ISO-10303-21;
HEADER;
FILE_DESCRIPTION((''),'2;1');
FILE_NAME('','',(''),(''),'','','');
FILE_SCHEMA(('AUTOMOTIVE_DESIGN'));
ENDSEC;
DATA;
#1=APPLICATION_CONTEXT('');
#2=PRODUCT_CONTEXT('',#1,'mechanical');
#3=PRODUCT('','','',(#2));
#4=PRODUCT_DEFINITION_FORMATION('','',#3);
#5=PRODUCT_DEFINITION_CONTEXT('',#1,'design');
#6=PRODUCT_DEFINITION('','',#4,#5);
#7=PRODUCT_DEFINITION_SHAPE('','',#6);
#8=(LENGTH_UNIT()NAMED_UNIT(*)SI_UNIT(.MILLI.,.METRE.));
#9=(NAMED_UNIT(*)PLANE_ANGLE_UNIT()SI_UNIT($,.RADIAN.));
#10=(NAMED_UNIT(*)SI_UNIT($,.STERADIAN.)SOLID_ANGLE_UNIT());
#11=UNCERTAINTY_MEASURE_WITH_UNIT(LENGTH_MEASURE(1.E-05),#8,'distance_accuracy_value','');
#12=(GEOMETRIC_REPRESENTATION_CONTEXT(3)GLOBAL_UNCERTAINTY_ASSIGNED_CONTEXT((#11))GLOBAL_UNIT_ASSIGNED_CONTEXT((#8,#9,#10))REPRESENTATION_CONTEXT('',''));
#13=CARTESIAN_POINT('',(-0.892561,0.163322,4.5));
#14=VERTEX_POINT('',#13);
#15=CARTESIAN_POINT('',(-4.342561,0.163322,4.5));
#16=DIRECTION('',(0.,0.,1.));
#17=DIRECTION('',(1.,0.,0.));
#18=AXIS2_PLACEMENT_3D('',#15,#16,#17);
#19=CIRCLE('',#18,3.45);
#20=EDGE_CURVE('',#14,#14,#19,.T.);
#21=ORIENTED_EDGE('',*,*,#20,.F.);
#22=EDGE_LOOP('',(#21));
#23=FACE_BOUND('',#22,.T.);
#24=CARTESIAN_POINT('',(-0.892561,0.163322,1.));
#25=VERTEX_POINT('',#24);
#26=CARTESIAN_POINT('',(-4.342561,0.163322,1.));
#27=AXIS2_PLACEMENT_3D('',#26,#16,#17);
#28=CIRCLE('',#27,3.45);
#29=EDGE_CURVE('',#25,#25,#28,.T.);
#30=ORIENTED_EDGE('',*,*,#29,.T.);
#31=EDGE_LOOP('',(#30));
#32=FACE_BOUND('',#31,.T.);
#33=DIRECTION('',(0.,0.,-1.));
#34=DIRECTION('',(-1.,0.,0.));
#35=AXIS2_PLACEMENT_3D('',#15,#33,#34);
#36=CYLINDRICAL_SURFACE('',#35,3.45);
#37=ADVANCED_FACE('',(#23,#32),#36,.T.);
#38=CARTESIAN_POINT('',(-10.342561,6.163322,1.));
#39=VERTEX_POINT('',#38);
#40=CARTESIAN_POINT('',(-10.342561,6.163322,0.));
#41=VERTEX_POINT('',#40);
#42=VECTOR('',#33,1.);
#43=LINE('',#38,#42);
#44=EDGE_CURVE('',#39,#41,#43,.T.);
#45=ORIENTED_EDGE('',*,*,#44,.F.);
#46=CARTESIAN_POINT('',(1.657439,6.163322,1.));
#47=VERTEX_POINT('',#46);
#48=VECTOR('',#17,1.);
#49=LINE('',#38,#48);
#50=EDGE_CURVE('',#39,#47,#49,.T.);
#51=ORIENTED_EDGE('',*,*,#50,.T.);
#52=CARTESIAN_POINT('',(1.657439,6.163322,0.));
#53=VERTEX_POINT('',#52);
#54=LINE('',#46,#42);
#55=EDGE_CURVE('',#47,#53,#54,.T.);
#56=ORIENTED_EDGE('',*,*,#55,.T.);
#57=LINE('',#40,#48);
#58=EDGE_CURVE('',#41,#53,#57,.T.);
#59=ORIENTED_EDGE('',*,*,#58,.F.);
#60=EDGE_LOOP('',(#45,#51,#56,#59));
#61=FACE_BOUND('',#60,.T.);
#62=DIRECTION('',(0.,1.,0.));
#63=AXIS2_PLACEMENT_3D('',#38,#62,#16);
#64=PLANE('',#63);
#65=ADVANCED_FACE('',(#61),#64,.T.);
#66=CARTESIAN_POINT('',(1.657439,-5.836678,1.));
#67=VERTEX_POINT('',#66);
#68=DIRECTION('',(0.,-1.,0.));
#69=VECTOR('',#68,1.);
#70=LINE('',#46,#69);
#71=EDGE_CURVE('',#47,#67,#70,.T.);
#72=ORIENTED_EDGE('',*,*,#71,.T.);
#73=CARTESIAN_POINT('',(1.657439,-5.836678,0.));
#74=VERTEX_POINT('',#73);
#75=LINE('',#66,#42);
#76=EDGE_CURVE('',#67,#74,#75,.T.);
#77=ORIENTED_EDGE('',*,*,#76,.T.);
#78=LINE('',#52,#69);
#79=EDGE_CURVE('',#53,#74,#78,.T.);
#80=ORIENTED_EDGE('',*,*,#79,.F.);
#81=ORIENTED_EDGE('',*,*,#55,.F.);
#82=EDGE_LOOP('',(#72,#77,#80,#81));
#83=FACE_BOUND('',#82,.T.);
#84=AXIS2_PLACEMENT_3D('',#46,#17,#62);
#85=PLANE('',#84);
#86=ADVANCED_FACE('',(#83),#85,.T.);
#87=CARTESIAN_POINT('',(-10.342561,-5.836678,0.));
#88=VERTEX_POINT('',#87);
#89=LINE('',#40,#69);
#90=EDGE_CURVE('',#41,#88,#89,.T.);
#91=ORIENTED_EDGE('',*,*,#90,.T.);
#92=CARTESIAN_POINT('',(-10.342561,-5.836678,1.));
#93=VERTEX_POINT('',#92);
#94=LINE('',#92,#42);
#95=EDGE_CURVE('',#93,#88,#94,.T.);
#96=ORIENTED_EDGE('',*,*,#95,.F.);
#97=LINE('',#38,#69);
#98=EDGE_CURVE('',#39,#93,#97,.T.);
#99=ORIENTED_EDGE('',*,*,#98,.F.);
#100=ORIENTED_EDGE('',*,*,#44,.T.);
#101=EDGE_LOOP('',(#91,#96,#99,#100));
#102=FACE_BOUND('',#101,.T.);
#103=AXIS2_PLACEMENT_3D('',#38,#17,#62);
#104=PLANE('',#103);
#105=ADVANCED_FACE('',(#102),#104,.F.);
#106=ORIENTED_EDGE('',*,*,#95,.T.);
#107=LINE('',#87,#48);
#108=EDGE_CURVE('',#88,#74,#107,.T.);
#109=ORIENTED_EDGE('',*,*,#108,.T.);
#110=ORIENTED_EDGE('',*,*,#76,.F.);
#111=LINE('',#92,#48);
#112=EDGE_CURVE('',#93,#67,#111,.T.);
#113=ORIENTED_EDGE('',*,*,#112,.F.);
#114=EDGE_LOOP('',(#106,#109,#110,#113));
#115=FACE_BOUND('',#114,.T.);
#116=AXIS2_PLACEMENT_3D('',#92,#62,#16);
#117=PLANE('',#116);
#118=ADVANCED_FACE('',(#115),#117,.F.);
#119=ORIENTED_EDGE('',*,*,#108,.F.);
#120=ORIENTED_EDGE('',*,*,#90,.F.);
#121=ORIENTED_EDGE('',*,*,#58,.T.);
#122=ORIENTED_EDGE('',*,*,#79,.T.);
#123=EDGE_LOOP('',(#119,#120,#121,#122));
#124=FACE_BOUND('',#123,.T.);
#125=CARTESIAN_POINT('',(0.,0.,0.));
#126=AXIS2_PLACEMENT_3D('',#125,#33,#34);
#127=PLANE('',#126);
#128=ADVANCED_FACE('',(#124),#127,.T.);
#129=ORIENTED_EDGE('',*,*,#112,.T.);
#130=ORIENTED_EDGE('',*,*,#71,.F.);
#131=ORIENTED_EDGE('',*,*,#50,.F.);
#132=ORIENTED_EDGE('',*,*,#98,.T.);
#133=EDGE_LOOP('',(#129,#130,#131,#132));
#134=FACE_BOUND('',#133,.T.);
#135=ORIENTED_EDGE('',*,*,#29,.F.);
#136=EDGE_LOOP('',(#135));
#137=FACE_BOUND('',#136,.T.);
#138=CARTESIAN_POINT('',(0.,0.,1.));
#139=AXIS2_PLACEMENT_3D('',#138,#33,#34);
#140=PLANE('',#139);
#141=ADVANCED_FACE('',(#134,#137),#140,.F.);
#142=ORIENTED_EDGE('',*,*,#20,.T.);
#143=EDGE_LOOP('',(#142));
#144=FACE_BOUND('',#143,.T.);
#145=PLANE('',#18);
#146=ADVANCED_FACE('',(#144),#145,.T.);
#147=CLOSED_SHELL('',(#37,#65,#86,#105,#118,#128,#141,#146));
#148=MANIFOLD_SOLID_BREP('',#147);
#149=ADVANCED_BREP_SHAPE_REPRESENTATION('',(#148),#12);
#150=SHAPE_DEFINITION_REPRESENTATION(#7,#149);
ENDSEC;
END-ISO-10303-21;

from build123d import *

# Parameters (mm, degrees)
SKETCH1_W           = 12
SKETCH1_H           = 12
BOSS_EXTRUDE1_DEPTH = 1
SKETCH2_R           = 3.45
BOSS_EXTRUDE2_DEPTH = 3.5


with BuildPart() as part:
    # Sketch1 → Boss-Extrude1 (new body)
    with BuildSketch(Plane.XY):
        with Locations((-4.342560554, 0.163321799)):
            Rectangle(SKETCH1_W, SKETCH1_H)
    extrude(amount=BOSS_EXTRUDE1_DEPTH)

    # Sketch2 → Boss-Extrude2 (add)
    with BuildSketch(Plane.XY.offset(1)):
        with Locations((-4.342560554, 0.163321799)):
            Circle(SKETCH2_R)
    extrude(amount=BOSS_EXTRUDE2_DEPTH)


solid = part.part
